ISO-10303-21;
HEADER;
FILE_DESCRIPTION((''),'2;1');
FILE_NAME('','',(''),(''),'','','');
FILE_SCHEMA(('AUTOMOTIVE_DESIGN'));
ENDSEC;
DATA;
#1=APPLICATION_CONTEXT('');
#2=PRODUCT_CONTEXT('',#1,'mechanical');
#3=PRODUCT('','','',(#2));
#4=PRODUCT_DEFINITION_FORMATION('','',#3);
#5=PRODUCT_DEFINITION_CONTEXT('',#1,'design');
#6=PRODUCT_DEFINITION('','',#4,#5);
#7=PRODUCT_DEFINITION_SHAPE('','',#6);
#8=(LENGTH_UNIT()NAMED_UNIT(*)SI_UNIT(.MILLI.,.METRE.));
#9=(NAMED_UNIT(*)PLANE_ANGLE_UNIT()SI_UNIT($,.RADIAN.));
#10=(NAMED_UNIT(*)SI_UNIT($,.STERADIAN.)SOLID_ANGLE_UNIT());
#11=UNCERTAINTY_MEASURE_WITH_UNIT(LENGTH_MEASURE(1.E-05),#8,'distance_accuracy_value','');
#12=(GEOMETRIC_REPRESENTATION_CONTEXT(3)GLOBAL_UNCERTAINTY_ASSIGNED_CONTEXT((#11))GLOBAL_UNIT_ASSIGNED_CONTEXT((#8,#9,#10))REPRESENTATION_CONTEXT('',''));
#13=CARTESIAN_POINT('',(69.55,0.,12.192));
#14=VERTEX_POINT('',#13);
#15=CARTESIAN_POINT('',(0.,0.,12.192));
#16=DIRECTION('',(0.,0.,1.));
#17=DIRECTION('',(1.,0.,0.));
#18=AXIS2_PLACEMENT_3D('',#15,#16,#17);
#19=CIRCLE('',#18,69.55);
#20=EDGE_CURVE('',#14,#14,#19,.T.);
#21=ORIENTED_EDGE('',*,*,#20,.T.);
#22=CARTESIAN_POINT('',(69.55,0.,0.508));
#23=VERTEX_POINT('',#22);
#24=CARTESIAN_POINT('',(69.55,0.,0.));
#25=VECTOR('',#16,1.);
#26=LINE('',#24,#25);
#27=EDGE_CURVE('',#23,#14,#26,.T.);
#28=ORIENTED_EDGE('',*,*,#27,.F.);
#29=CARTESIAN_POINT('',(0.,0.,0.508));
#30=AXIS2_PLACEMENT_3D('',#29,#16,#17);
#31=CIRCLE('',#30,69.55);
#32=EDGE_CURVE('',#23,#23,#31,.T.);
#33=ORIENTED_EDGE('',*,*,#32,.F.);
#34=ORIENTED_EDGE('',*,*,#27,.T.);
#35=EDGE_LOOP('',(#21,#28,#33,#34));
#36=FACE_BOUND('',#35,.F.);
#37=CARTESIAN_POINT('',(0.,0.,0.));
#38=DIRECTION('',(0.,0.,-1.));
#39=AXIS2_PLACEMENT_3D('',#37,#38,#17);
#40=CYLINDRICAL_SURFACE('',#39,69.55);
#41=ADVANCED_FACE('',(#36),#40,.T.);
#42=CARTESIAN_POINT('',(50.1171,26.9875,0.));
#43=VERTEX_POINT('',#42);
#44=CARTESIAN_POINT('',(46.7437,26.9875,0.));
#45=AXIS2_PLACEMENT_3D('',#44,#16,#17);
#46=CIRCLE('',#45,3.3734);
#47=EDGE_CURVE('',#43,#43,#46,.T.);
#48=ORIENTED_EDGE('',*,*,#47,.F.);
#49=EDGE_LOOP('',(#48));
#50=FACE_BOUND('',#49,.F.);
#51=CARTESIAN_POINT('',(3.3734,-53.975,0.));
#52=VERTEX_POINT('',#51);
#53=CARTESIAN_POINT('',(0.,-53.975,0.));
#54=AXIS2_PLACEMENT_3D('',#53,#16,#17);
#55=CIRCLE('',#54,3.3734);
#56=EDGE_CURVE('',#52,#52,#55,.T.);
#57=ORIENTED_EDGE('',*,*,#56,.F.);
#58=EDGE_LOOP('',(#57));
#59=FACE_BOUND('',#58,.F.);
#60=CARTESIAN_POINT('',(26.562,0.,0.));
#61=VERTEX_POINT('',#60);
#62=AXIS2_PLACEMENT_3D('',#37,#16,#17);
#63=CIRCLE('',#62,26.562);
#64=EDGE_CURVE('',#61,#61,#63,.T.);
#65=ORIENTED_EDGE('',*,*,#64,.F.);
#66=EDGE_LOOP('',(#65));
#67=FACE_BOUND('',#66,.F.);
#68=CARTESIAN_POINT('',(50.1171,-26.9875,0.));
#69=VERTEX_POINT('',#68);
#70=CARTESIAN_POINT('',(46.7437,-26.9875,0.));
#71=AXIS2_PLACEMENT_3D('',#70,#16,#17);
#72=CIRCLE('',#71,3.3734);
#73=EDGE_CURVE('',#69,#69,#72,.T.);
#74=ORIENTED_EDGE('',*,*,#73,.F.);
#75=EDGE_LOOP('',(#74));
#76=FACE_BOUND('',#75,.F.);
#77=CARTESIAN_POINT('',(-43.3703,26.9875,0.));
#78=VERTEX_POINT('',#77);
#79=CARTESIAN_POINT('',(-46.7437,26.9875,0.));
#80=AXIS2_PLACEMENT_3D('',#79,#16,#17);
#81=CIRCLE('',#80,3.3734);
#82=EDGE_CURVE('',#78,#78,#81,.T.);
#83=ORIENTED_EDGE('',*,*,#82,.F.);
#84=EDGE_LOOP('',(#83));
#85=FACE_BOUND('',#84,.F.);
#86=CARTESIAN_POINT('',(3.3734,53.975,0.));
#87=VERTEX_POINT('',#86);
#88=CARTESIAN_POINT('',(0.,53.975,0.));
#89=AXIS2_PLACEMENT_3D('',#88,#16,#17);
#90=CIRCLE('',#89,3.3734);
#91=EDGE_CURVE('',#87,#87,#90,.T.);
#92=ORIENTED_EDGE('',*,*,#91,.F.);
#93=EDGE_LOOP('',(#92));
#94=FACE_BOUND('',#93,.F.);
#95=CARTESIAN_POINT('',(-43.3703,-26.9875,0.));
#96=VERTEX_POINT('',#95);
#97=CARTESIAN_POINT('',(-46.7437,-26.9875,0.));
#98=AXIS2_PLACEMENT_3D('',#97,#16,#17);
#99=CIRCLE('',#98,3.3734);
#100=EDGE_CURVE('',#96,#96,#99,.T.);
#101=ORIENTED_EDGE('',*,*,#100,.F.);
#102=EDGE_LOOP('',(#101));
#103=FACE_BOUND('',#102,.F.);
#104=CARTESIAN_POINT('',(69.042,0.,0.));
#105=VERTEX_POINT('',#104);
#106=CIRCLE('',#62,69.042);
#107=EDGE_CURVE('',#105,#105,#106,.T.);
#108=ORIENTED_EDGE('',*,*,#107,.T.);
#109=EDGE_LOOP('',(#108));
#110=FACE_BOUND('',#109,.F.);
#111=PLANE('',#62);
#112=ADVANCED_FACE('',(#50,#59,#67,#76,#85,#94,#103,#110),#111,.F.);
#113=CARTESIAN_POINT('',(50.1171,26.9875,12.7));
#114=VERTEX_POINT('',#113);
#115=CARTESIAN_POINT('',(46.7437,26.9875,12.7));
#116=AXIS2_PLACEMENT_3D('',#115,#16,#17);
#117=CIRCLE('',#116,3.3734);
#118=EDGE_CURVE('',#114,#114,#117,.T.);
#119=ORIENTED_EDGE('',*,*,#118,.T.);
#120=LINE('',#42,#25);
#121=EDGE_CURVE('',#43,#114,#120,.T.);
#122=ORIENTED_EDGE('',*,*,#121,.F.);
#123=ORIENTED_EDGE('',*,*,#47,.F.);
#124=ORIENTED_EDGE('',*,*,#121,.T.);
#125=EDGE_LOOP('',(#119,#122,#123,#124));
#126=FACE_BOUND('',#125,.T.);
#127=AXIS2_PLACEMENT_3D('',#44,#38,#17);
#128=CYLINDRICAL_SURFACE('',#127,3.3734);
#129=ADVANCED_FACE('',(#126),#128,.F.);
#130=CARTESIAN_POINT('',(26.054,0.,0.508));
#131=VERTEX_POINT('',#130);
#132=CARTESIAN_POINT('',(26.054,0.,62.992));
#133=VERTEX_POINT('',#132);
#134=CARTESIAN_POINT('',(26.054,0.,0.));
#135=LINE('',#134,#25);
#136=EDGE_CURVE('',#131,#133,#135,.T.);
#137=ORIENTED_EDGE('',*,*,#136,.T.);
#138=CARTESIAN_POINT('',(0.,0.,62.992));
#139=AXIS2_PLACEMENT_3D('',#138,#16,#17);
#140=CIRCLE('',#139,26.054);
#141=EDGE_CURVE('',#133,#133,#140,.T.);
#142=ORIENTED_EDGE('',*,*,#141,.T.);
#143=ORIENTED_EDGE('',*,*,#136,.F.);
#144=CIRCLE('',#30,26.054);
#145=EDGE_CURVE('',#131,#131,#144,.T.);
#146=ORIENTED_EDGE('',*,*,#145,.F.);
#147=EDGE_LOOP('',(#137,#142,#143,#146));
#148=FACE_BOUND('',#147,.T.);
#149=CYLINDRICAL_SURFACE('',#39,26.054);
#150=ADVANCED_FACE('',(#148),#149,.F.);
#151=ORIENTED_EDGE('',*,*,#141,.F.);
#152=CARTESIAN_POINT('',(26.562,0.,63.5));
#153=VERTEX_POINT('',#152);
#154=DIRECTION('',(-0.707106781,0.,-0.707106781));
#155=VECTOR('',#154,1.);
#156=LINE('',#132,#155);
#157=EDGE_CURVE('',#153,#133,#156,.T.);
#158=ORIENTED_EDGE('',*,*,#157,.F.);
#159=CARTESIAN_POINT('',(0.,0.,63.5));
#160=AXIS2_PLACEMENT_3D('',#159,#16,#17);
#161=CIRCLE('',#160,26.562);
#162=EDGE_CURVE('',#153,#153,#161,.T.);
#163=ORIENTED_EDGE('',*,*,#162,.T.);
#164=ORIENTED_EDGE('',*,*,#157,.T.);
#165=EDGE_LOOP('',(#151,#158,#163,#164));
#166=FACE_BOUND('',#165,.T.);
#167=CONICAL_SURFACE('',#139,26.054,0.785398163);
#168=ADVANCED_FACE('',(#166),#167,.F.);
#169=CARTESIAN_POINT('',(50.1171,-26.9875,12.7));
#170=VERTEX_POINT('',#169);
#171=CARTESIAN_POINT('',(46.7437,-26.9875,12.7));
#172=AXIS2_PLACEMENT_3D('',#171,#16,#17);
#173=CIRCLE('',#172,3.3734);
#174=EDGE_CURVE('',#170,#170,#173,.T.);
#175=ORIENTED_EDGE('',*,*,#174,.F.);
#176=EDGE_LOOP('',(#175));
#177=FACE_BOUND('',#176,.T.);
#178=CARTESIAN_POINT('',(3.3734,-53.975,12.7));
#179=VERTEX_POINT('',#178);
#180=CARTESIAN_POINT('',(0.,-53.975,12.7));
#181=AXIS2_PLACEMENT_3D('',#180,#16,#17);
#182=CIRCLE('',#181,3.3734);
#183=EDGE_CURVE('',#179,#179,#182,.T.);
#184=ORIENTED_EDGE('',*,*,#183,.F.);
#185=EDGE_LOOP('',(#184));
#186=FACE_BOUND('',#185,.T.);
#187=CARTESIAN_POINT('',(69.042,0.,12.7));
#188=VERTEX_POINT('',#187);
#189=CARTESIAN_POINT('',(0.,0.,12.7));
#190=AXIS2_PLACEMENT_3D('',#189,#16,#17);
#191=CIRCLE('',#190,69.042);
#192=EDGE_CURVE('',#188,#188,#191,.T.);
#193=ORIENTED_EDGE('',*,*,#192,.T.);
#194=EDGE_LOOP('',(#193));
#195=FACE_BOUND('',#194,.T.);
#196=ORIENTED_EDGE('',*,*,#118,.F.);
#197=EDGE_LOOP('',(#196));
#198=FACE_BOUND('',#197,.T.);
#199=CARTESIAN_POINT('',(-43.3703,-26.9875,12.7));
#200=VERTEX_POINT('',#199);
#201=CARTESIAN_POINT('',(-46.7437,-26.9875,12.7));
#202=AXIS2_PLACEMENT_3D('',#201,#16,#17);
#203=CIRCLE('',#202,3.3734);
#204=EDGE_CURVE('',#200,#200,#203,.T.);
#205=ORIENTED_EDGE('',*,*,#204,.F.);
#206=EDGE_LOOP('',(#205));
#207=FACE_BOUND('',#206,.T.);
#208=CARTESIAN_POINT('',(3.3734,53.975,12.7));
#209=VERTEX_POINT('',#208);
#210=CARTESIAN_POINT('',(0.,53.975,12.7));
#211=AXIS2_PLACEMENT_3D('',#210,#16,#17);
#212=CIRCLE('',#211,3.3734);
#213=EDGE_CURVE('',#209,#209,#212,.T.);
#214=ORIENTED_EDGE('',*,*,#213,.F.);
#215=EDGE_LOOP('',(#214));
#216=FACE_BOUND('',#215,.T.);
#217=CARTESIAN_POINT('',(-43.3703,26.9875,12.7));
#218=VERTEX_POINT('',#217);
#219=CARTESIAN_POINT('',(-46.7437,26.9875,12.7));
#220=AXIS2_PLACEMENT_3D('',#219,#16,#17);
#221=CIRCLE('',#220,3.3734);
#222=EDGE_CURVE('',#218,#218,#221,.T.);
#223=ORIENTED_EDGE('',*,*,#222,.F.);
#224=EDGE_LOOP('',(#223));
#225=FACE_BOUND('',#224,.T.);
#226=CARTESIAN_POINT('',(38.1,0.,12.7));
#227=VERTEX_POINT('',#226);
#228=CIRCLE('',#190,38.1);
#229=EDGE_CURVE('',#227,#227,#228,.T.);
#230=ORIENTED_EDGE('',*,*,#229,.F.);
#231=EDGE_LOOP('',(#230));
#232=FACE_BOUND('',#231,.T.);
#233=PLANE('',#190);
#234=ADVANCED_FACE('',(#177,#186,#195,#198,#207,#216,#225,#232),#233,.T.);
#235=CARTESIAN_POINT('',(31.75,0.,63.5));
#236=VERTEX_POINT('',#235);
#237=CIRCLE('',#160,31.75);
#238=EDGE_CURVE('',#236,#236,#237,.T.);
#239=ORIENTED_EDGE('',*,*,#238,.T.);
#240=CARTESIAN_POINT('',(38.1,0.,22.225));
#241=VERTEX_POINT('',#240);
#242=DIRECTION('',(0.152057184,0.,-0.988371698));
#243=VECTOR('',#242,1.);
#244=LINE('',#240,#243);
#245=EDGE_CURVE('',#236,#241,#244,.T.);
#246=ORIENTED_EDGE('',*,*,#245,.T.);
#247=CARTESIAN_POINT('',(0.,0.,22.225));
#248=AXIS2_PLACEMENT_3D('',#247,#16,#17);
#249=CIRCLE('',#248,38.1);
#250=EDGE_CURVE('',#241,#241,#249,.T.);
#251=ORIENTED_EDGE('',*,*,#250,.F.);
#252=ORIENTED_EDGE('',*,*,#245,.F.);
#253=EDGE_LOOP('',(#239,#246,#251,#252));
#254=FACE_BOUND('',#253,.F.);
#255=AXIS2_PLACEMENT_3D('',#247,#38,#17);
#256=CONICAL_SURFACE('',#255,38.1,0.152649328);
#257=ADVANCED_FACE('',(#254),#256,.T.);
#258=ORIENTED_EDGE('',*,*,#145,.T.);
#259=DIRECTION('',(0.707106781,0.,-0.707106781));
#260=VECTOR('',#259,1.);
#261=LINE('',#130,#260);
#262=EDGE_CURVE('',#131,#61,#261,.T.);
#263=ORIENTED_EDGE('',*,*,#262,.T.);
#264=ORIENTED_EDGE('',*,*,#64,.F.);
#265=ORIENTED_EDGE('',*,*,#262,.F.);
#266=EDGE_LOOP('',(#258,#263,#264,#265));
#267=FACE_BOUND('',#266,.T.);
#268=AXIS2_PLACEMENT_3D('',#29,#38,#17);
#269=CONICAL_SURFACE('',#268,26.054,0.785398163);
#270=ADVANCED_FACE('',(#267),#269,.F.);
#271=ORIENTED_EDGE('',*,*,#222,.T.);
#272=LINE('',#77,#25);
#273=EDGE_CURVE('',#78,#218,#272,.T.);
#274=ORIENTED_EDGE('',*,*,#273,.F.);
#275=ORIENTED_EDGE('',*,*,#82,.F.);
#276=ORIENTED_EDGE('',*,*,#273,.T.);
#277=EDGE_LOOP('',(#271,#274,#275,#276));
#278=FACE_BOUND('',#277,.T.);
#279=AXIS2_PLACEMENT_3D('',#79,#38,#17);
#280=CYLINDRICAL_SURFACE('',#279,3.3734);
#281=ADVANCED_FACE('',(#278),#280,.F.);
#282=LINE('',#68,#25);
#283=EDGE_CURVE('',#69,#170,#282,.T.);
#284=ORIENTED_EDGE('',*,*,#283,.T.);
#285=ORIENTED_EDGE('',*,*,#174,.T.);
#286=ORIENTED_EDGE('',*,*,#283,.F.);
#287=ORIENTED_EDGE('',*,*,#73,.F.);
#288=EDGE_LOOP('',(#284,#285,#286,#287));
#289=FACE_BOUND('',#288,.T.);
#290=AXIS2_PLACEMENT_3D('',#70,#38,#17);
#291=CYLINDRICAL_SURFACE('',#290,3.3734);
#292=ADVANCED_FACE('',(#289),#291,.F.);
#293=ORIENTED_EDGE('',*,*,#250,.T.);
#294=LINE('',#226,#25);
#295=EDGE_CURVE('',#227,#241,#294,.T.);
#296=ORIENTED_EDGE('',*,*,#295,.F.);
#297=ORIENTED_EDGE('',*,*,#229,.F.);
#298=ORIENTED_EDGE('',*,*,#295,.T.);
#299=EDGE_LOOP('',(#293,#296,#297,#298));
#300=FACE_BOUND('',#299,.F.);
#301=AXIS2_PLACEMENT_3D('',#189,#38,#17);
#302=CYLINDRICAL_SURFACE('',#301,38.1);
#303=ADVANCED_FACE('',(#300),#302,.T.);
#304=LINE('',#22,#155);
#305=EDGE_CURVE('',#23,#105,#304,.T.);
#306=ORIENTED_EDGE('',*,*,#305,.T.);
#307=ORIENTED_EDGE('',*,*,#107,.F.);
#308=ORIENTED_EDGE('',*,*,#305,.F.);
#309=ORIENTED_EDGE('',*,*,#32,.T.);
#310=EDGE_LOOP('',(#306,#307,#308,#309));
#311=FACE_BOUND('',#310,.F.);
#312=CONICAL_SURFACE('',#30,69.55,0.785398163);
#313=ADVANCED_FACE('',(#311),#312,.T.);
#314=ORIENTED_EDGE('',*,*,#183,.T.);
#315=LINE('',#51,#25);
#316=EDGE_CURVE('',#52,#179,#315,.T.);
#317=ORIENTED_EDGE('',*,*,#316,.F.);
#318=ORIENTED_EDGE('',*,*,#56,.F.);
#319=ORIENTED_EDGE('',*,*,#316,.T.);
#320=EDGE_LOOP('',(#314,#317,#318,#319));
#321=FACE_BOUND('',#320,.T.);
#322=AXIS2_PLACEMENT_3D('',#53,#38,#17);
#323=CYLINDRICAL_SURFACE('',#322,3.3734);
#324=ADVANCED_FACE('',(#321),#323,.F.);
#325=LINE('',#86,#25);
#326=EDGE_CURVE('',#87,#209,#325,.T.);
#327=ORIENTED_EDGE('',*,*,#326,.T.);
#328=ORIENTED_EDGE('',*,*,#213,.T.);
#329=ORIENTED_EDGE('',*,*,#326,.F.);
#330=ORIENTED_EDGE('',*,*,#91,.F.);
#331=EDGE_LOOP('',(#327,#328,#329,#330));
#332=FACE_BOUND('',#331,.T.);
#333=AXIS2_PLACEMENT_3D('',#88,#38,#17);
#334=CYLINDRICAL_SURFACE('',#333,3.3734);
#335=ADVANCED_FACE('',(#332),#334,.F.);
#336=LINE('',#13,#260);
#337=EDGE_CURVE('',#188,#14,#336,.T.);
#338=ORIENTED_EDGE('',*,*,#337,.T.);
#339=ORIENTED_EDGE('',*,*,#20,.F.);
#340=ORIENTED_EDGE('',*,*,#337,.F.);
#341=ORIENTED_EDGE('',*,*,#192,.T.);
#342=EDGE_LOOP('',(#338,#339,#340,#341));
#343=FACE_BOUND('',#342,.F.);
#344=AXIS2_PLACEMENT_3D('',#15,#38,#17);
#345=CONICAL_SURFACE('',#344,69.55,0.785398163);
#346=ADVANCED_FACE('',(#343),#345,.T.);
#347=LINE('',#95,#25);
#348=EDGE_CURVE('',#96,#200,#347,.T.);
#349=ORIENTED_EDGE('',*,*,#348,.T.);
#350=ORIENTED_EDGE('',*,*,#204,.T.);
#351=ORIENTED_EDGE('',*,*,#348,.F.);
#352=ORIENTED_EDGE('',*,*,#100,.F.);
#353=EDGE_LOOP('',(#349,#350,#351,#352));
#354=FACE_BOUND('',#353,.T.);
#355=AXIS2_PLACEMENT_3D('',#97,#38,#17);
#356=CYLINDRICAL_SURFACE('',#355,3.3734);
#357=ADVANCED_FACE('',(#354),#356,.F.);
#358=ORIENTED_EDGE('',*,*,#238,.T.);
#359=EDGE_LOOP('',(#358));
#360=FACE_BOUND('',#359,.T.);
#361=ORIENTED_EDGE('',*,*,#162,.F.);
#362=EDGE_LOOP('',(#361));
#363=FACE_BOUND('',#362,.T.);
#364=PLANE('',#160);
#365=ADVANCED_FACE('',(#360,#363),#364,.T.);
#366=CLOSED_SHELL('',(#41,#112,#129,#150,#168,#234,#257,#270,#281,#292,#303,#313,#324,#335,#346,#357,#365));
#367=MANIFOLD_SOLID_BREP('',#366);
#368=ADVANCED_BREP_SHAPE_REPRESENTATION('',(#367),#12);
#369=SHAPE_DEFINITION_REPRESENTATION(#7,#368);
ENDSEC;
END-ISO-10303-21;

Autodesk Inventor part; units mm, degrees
ref_plane "YZ Plane" through (0, 0, 0) normal (1, 0, 0) x (0, 1, 0)
ref_plane "XZ Plane" through (0, 0, 0) normal (0, 1, 0) x (-1, 0, 0)
ref_plane "XY Plane" through (0, 0, 0) normal (0, 0, 1) x (1, 0, 0)
sketch "Sketch1" plane through (0, 0, 0) normal (0, 0, 1) x (1, 0, 0)
  circle A0 centre (0, 0) radius 26.054
  circle A1 centre (0, 0) radius 69.55
  circle A2 centre (0, 53.975) radius 3.3734
  circle A3 centre (-46.7437, 26.9875) radius 3.3734
  circle A4 centre (-46.7437, -26.9875) radius 3.3734
  circle A5 centre (0, -53.975) radius 3.3734
  circle A6 centre (46.7437, -26.9875) radius 3.3734
  circle A7 centre (46.7437, 26.9875) radius 3.3734
  dimension "d0" = 52.108
  dimension "d1" = 139.1
  dimension "d2" = 6.7469
  dimension "d3" = 53.975
  dimension "d6" = 360
extrude "Extrusion1" add sketch "Sketch1" along normal blind 12.7
sketch "Sketch2" plane through (0, 0, 12.7) normal (0, 0, 1) x (1, 0, 0)
  circle A0 centre (0, 0) radius 38.1
  circle A1 centre (0, 0) radius 26.054 projected
  dimension "d10" = 76.2
extrude "Extrusion2" add sketch "Sketch2" along normal blind 50.8
chamfer "Chamfer1" distance 6.35 distance2 41.275 1 edges at (-38.1, 0, 63.5) measured on face at (33.7663, -2.826, 63.5)
chamfer "Chamfer2" distance 0.508 angle 45 4 edges at (-69.55, 0, 12.7) (-69.55, 0, 0) (-26.054, 0, 0) (-26.054, 0, 63.5)
properties part number "ExtendedIndexerPivot"
